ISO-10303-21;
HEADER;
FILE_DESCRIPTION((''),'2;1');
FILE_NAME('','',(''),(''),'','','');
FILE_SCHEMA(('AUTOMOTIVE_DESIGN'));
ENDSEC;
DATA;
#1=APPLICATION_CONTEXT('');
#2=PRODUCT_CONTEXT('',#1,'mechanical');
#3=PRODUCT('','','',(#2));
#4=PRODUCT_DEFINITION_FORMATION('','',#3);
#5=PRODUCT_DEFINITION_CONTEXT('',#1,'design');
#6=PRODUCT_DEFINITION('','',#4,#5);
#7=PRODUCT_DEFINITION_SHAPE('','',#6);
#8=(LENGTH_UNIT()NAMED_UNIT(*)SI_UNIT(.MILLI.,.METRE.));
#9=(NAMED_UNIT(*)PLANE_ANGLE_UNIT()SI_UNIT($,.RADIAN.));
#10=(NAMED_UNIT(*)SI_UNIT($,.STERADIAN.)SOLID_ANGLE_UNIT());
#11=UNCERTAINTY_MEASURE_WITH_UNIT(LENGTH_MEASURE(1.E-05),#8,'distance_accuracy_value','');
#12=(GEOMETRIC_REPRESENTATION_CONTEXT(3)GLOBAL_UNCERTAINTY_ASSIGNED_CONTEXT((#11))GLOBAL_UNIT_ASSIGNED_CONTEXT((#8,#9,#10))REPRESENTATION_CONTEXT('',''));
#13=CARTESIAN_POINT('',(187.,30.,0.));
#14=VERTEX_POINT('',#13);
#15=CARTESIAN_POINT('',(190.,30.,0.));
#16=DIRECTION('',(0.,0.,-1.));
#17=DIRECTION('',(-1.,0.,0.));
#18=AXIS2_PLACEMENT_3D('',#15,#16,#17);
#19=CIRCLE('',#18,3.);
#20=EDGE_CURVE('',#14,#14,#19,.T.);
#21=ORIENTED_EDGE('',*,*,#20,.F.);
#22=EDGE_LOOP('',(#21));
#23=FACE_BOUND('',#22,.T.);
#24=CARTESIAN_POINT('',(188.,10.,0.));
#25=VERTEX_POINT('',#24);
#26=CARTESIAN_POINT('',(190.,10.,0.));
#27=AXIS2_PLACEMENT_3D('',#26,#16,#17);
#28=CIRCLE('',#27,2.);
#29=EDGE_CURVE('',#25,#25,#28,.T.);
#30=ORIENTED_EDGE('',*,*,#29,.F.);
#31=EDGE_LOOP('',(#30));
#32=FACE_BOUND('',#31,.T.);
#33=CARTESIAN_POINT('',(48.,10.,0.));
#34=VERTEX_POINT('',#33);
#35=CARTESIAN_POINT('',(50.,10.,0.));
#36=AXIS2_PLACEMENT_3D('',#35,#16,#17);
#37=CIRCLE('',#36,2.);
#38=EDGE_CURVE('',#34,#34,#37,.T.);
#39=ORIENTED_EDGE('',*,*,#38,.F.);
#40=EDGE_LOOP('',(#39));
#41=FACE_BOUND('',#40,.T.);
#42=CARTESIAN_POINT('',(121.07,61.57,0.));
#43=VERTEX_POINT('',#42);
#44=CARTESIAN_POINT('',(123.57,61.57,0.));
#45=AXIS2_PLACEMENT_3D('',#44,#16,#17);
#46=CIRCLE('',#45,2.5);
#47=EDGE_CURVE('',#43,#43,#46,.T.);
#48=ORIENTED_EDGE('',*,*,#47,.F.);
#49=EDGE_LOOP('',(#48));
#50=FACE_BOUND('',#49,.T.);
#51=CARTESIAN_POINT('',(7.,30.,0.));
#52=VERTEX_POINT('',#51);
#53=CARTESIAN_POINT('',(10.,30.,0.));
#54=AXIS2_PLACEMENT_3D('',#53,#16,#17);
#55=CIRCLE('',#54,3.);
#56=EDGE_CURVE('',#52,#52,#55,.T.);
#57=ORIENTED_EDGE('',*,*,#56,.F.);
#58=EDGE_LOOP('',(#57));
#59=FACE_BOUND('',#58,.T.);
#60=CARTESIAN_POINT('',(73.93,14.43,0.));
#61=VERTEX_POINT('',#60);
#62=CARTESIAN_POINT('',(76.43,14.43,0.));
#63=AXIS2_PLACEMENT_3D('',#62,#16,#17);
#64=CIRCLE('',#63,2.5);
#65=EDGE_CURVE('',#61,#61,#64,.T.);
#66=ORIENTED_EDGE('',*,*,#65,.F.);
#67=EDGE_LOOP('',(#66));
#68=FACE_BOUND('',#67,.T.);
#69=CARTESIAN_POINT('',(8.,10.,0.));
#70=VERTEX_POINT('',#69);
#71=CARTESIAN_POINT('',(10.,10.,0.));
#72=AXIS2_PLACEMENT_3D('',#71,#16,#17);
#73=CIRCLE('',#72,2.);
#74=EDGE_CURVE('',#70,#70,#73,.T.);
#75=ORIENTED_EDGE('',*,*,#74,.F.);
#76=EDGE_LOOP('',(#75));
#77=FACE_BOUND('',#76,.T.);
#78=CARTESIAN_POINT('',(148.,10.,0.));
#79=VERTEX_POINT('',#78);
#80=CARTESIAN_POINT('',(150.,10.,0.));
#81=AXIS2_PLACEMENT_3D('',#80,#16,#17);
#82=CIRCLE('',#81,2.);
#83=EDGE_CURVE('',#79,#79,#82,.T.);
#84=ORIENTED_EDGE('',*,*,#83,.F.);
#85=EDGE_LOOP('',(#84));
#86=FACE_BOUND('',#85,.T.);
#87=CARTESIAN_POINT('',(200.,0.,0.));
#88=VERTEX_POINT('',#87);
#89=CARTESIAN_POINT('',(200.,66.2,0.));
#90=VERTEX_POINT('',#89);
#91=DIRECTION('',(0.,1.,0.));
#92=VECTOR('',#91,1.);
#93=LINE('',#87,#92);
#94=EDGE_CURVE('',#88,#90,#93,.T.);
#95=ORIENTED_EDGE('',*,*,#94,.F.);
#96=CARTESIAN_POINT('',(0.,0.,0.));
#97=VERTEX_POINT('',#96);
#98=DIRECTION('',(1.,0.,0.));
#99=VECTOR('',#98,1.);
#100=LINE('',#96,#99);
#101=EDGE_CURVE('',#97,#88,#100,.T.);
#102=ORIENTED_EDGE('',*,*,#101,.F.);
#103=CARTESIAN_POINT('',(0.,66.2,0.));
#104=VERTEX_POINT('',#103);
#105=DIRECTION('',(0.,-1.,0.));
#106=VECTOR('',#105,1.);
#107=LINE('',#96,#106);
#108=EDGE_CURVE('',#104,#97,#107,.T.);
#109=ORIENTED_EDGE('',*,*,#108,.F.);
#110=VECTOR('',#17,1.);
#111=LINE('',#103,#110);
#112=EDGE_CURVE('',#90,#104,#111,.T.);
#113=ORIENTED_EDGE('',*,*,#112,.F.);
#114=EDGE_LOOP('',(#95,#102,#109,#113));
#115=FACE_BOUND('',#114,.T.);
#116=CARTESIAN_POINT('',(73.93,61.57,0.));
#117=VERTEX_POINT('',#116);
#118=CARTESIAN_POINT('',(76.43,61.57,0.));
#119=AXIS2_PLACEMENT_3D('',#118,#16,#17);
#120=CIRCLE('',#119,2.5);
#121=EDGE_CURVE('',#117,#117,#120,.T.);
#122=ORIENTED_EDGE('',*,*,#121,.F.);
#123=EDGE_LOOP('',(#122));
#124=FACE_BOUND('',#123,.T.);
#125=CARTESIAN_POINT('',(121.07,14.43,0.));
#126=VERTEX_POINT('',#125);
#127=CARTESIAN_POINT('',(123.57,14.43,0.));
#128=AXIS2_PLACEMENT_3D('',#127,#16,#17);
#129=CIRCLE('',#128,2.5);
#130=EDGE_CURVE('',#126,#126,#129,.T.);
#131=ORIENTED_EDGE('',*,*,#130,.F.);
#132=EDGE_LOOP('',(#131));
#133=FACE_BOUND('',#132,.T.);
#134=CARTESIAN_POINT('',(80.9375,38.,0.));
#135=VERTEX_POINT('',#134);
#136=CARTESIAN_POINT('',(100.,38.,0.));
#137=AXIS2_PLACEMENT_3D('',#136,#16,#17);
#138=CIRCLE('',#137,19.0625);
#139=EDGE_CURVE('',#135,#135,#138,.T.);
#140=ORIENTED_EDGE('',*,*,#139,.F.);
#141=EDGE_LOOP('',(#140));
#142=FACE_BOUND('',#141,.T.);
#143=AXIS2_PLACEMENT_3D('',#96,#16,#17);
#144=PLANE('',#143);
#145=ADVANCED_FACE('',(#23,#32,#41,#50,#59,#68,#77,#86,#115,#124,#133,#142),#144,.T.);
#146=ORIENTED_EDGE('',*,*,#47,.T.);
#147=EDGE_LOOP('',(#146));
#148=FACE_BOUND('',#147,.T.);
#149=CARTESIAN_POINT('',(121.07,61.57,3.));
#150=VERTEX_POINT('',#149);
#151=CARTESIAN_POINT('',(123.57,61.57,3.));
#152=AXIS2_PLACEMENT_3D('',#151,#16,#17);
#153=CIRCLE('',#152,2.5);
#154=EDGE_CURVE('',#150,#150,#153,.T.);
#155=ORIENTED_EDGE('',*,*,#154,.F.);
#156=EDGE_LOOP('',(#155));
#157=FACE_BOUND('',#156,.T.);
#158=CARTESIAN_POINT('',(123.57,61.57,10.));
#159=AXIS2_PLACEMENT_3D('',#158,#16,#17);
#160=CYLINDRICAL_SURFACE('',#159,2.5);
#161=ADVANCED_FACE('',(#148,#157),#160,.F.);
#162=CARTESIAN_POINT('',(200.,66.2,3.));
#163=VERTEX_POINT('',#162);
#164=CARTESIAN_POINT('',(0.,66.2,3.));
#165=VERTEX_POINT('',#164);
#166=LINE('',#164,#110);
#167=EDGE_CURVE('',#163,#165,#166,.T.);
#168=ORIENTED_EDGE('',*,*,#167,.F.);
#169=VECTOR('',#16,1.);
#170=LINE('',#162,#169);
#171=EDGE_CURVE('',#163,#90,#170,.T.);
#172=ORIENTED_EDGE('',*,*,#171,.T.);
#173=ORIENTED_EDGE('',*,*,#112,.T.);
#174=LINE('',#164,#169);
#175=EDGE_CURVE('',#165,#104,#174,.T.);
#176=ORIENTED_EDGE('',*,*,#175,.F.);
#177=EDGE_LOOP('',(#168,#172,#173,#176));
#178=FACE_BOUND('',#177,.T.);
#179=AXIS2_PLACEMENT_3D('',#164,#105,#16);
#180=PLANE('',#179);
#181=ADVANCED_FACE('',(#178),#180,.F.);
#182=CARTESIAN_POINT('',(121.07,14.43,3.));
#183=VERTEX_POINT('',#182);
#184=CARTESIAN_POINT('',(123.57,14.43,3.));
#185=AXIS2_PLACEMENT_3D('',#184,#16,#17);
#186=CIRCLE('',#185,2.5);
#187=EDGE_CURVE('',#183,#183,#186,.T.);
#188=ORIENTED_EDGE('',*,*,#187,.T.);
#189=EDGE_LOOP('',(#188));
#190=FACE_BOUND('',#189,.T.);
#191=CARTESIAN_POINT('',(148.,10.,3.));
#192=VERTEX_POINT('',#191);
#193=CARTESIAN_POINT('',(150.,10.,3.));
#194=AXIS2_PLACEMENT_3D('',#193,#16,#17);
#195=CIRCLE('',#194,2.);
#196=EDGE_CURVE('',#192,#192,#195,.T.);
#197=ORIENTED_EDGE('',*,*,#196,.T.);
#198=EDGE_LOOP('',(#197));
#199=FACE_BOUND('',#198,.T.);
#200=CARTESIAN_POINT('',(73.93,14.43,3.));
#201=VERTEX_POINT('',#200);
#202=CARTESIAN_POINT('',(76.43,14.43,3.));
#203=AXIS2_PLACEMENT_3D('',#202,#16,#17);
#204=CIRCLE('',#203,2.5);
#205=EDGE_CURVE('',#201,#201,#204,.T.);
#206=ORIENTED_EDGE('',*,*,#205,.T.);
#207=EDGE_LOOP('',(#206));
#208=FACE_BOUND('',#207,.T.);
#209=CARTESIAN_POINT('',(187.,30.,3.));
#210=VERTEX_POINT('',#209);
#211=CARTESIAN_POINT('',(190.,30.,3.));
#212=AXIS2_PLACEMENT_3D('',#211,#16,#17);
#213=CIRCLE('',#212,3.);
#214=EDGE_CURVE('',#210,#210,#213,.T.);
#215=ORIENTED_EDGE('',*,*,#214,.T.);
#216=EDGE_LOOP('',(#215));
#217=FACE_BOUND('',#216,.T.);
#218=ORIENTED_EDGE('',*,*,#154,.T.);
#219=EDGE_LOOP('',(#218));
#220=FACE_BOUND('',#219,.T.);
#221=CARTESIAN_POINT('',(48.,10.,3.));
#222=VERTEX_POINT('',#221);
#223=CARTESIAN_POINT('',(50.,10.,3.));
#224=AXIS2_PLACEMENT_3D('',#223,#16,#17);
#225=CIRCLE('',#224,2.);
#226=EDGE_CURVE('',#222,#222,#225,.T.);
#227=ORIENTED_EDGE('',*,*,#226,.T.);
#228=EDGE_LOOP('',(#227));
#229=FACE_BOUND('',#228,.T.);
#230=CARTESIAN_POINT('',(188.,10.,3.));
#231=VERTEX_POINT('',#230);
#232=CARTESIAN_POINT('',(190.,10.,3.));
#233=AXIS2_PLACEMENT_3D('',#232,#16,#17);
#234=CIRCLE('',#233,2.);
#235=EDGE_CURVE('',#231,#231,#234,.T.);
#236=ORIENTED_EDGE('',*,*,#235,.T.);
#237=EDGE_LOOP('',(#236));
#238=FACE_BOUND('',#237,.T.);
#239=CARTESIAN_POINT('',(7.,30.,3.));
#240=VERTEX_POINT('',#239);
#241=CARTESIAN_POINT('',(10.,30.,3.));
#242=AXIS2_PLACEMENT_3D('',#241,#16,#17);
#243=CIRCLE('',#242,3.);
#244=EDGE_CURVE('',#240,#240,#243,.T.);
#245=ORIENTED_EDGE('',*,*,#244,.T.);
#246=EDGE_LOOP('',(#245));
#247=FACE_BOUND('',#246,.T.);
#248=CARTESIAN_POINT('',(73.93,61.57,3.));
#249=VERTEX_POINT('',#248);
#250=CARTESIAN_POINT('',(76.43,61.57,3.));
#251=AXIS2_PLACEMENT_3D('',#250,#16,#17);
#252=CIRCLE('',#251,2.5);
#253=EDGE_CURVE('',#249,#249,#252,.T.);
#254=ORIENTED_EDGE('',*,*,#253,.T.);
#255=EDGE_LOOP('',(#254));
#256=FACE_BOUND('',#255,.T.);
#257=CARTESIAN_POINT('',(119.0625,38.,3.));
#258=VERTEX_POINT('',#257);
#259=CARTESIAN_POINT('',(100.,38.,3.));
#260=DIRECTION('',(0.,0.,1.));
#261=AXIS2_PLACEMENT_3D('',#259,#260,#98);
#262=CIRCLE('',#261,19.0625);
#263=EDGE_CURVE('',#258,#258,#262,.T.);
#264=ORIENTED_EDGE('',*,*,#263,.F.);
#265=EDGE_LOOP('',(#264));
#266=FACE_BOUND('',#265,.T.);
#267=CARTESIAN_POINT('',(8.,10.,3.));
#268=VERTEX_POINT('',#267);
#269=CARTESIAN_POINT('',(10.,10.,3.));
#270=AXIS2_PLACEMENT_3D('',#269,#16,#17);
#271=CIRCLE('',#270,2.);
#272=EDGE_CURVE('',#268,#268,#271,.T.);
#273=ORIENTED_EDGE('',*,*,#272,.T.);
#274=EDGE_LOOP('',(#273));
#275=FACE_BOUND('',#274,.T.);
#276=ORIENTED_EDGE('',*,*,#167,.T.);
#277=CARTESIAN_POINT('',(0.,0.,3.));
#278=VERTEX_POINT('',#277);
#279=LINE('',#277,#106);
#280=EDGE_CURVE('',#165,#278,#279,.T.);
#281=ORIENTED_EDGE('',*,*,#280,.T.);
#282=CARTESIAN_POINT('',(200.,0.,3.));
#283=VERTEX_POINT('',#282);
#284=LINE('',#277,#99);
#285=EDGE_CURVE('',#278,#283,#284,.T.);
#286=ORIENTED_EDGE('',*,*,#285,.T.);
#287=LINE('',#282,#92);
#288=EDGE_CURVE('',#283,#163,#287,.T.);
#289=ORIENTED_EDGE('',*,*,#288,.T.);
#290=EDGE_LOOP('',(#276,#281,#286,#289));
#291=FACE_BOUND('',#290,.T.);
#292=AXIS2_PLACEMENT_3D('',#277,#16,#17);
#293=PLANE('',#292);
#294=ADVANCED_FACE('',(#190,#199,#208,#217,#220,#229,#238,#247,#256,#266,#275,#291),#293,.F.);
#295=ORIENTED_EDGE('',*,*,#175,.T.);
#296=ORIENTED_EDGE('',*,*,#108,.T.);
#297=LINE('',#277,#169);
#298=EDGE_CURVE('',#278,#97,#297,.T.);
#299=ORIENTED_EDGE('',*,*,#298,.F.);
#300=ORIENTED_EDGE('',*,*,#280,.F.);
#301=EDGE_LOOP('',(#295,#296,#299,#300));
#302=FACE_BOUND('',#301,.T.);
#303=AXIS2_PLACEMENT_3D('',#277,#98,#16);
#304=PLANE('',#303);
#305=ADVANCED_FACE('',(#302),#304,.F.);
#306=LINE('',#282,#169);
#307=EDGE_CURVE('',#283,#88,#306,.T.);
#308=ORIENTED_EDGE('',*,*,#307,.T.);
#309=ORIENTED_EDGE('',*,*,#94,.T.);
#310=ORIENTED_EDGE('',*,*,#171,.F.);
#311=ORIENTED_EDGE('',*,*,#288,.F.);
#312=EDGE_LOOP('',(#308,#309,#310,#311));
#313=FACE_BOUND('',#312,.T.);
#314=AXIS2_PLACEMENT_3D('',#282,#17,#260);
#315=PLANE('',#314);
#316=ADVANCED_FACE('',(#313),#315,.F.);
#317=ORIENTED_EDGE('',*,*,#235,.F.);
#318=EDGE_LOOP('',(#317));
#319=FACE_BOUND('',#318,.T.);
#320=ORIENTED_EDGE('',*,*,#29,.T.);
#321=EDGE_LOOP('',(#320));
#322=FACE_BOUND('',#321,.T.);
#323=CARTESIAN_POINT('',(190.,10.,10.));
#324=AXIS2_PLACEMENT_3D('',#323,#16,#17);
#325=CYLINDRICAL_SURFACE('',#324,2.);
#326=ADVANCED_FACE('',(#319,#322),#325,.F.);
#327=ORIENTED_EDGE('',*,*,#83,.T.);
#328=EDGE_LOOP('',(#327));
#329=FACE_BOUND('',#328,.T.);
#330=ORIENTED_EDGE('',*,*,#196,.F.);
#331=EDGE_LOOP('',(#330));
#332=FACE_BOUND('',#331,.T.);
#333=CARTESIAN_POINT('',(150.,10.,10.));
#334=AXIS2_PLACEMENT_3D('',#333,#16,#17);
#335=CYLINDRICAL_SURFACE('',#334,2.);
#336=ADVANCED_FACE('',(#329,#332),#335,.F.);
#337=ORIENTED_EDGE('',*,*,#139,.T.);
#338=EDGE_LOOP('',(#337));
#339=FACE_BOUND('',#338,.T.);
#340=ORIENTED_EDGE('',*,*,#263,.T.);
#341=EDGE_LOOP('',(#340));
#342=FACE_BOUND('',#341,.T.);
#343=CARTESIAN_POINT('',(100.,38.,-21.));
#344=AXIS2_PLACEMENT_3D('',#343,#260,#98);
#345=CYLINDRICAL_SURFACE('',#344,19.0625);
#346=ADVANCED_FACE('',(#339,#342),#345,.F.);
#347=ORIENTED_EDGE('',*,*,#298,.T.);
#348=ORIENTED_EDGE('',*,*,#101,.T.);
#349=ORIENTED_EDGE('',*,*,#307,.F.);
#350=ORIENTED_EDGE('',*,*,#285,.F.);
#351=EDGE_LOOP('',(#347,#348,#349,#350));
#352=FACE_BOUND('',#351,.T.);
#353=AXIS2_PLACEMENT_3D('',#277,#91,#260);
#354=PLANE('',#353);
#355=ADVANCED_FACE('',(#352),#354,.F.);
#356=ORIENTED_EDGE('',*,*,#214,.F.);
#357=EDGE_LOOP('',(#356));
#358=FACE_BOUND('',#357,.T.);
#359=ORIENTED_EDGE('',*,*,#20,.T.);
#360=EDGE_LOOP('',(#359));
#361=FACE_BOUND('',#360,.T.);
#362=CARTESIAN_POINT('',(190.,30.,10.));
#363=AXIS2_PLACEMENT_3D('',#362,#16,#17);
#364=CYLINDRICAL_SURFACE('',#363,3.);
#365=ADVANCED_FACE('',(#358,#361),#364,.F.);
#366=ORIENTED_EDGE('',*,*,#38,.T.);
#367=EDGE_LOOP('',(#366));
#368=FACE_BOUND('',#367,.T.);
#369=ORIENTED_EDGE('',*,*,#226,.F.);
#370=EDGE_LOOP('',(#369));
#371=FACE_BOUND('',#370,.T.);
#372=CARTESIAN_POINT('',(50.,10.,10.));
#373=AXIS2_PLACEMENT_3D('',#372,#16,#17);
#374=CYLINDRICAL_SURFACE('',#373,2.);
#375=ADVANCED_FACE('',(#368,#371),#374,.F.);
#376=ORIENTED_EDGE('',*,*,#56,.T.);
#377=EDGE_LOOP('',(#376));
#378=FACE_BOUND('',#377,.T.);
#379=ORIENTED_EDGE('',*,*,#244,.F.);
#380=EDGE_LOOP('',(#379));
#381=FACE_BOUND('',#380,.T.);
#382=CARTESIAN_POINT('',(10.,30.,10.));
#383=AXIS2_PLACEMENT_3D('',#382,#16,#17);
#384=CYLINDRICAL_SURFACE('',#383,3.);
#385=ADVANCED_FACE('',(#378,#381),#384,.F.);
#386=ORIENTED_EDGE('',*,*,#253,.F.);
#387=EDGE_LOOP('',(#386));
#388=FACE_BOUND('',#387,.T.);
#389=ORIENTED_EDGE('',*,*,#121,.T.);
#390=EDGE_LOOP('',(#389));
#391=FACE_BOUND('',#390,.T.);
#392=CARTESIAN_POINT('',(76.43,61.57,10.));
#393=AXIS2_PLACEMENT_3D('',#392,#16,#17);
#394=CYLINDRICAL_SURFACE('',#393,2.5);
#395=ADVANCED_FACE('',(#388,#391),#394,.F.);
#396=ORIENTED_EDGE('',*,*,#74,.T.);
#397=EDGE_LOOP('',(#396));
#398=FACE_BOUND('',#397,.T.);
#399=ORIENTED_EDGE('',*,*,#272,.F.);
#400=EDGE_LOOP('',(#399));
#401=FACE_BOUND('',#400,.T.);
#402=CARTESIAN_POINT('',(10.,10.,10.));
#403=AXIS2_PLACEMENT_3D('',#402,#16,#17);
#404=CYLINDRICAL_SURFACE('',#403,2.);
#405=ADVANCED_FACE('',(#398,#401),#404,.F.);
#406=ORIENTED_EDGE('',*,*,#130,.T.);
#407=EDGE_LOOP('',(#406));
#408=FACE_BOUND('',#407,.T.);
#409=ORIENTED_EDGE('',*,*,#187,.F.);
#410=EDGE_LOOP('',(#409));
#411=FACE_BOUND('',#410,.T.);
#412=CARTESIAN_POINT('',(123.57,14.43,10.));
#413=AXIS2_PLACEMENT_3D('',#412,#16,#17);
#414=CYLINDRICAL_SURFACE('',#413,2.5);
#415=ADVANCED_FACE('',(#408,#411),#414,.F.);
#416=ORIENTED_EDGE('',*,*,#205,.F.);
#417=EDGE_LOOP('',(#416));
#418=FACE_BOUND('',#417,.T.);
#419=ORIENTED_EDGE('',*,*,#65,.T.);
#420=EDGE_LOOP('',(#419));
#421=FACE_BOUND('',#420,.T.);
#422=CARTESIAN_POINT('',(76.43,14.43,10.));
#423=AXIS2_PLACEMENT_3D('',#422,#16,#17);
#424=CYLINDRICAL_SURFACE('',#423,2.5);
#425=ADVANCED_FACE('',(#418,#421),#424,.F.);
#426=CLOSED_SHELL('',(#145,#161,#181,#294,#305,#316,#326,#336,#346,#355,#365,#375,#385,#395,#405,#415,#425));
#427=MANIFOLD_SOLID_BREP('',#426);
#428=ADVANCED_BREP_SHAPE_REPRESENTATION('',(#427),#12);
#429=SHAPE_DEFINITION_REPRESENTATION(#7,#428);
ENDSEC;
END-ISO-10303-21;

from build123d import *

# Parameters (mm, degrees)
SKIZZE1_W                       = 200
SKIZZE1_H                       = 66.2
AUFSATZ_LINEAR_AUSTRAGEN1_DEPTH = 3
SKIZZE2_R                       = 19.0625
SCHNITT_LINEAR_AUSTRAGEN1_DEPTH = 24
SKIZZE3_R                       = 2
SCHNITT_LINEAR_AUSTRAGEN2_DEPTH = 10
SKIZZE4_R                       = 3
SCHNITT_LINEAR_AUSTRAGEN3_DEPTH = 10
SKIZZE5_R                       = 2.5
SCHNITT_LINEAR_AUSTRAGEN4_DEPTH = 10


with BuildPart() as part:
    # Skizze1 → Aufsatz-Linear austragen1 (new body)
    with BuildSketch(Plane.XY):
        with Locations((100, 33.1)):
            Rectangle(SKIZZE1_W, SKIZZE1_H)
    extrude(amount=AUFSATZ_LINEAR_AUSTRAGEN1_DEPTH)

    # Skizze2 → Schnitt-Linear austragen1 (cut)
    with BuildSketch(Plane.XY.offset(3)):
        with Locations((100, 38)):
            Circle(SKIZZE2_R)
    extrude(amount=-SCHNITT_LINEAR_AUSTRAGEN1_DEPTH, mode=Mode.SUBTRACT)

    # Skizze3 → Schnitt-Linear austragen2 (cut)
    with BuildSketch(Plane(origin=(0, 0, 0), x_dir=(-1, 0, 0), z_dir=(0, 0, -1))):
        with Locations((-190, 10)):
            Circle(SKIZZE3_R)
        with Locations((-150, 10)):
            Circle(SKIZZE3_R)
        with Locations((-50, 10)):
            Circle(SKIZZE3_R)
        with Locations((-10, 10)):
            Circle(SKIZZE3_R)
    extrude(amount=-SCHNITT_LINEAR_AUSTRAGEN2_DEPTH, mode=Mode.SUBTRACT)

    # Skizze4 → Schnitt-Linear austragen3 (cut)
    with BuildSketch(Plane(origin=(0, 0, 0), x_dir=(-1, 0, 0), z_dir=(0, 0, -1))):
        with Locations((-190, 30)):
            Circle(SKIZZE4_R)
        with Locations((-10, 30)):
            Circle(SKIZZE4_R)
    extrude(amount=-SCHNITT_LINEAR_AUSTRAGEN3_DEPTH, mode=Mode.SUBTRACT)

    # Skizze5 → Schnitt-Linear austragen4 (cut)
    with BuildSketch(Plane(origin=(0, 0, 0), x_dir=(-1, 0, 0), z_dir=(0, 0, -1))):
        with Locations((-76.43, 61.57)):
            Circle(SKIZZE5_R)
        with Locations((-123.57, 61.57)):
            Circle(SKIZZE5_R)
        with Locations((-123.57, 14.43)):
            Circle(SKIZZE5_R)
        with Locations((-76.43, 14.43)):
            Circle(SKIZZE5_R)
    extrude(amount=-SCHNITT_LINEAR_AUSTRAGEN4_DEPTH, mode=Mode.SUBTRACT)


solid = part.part
